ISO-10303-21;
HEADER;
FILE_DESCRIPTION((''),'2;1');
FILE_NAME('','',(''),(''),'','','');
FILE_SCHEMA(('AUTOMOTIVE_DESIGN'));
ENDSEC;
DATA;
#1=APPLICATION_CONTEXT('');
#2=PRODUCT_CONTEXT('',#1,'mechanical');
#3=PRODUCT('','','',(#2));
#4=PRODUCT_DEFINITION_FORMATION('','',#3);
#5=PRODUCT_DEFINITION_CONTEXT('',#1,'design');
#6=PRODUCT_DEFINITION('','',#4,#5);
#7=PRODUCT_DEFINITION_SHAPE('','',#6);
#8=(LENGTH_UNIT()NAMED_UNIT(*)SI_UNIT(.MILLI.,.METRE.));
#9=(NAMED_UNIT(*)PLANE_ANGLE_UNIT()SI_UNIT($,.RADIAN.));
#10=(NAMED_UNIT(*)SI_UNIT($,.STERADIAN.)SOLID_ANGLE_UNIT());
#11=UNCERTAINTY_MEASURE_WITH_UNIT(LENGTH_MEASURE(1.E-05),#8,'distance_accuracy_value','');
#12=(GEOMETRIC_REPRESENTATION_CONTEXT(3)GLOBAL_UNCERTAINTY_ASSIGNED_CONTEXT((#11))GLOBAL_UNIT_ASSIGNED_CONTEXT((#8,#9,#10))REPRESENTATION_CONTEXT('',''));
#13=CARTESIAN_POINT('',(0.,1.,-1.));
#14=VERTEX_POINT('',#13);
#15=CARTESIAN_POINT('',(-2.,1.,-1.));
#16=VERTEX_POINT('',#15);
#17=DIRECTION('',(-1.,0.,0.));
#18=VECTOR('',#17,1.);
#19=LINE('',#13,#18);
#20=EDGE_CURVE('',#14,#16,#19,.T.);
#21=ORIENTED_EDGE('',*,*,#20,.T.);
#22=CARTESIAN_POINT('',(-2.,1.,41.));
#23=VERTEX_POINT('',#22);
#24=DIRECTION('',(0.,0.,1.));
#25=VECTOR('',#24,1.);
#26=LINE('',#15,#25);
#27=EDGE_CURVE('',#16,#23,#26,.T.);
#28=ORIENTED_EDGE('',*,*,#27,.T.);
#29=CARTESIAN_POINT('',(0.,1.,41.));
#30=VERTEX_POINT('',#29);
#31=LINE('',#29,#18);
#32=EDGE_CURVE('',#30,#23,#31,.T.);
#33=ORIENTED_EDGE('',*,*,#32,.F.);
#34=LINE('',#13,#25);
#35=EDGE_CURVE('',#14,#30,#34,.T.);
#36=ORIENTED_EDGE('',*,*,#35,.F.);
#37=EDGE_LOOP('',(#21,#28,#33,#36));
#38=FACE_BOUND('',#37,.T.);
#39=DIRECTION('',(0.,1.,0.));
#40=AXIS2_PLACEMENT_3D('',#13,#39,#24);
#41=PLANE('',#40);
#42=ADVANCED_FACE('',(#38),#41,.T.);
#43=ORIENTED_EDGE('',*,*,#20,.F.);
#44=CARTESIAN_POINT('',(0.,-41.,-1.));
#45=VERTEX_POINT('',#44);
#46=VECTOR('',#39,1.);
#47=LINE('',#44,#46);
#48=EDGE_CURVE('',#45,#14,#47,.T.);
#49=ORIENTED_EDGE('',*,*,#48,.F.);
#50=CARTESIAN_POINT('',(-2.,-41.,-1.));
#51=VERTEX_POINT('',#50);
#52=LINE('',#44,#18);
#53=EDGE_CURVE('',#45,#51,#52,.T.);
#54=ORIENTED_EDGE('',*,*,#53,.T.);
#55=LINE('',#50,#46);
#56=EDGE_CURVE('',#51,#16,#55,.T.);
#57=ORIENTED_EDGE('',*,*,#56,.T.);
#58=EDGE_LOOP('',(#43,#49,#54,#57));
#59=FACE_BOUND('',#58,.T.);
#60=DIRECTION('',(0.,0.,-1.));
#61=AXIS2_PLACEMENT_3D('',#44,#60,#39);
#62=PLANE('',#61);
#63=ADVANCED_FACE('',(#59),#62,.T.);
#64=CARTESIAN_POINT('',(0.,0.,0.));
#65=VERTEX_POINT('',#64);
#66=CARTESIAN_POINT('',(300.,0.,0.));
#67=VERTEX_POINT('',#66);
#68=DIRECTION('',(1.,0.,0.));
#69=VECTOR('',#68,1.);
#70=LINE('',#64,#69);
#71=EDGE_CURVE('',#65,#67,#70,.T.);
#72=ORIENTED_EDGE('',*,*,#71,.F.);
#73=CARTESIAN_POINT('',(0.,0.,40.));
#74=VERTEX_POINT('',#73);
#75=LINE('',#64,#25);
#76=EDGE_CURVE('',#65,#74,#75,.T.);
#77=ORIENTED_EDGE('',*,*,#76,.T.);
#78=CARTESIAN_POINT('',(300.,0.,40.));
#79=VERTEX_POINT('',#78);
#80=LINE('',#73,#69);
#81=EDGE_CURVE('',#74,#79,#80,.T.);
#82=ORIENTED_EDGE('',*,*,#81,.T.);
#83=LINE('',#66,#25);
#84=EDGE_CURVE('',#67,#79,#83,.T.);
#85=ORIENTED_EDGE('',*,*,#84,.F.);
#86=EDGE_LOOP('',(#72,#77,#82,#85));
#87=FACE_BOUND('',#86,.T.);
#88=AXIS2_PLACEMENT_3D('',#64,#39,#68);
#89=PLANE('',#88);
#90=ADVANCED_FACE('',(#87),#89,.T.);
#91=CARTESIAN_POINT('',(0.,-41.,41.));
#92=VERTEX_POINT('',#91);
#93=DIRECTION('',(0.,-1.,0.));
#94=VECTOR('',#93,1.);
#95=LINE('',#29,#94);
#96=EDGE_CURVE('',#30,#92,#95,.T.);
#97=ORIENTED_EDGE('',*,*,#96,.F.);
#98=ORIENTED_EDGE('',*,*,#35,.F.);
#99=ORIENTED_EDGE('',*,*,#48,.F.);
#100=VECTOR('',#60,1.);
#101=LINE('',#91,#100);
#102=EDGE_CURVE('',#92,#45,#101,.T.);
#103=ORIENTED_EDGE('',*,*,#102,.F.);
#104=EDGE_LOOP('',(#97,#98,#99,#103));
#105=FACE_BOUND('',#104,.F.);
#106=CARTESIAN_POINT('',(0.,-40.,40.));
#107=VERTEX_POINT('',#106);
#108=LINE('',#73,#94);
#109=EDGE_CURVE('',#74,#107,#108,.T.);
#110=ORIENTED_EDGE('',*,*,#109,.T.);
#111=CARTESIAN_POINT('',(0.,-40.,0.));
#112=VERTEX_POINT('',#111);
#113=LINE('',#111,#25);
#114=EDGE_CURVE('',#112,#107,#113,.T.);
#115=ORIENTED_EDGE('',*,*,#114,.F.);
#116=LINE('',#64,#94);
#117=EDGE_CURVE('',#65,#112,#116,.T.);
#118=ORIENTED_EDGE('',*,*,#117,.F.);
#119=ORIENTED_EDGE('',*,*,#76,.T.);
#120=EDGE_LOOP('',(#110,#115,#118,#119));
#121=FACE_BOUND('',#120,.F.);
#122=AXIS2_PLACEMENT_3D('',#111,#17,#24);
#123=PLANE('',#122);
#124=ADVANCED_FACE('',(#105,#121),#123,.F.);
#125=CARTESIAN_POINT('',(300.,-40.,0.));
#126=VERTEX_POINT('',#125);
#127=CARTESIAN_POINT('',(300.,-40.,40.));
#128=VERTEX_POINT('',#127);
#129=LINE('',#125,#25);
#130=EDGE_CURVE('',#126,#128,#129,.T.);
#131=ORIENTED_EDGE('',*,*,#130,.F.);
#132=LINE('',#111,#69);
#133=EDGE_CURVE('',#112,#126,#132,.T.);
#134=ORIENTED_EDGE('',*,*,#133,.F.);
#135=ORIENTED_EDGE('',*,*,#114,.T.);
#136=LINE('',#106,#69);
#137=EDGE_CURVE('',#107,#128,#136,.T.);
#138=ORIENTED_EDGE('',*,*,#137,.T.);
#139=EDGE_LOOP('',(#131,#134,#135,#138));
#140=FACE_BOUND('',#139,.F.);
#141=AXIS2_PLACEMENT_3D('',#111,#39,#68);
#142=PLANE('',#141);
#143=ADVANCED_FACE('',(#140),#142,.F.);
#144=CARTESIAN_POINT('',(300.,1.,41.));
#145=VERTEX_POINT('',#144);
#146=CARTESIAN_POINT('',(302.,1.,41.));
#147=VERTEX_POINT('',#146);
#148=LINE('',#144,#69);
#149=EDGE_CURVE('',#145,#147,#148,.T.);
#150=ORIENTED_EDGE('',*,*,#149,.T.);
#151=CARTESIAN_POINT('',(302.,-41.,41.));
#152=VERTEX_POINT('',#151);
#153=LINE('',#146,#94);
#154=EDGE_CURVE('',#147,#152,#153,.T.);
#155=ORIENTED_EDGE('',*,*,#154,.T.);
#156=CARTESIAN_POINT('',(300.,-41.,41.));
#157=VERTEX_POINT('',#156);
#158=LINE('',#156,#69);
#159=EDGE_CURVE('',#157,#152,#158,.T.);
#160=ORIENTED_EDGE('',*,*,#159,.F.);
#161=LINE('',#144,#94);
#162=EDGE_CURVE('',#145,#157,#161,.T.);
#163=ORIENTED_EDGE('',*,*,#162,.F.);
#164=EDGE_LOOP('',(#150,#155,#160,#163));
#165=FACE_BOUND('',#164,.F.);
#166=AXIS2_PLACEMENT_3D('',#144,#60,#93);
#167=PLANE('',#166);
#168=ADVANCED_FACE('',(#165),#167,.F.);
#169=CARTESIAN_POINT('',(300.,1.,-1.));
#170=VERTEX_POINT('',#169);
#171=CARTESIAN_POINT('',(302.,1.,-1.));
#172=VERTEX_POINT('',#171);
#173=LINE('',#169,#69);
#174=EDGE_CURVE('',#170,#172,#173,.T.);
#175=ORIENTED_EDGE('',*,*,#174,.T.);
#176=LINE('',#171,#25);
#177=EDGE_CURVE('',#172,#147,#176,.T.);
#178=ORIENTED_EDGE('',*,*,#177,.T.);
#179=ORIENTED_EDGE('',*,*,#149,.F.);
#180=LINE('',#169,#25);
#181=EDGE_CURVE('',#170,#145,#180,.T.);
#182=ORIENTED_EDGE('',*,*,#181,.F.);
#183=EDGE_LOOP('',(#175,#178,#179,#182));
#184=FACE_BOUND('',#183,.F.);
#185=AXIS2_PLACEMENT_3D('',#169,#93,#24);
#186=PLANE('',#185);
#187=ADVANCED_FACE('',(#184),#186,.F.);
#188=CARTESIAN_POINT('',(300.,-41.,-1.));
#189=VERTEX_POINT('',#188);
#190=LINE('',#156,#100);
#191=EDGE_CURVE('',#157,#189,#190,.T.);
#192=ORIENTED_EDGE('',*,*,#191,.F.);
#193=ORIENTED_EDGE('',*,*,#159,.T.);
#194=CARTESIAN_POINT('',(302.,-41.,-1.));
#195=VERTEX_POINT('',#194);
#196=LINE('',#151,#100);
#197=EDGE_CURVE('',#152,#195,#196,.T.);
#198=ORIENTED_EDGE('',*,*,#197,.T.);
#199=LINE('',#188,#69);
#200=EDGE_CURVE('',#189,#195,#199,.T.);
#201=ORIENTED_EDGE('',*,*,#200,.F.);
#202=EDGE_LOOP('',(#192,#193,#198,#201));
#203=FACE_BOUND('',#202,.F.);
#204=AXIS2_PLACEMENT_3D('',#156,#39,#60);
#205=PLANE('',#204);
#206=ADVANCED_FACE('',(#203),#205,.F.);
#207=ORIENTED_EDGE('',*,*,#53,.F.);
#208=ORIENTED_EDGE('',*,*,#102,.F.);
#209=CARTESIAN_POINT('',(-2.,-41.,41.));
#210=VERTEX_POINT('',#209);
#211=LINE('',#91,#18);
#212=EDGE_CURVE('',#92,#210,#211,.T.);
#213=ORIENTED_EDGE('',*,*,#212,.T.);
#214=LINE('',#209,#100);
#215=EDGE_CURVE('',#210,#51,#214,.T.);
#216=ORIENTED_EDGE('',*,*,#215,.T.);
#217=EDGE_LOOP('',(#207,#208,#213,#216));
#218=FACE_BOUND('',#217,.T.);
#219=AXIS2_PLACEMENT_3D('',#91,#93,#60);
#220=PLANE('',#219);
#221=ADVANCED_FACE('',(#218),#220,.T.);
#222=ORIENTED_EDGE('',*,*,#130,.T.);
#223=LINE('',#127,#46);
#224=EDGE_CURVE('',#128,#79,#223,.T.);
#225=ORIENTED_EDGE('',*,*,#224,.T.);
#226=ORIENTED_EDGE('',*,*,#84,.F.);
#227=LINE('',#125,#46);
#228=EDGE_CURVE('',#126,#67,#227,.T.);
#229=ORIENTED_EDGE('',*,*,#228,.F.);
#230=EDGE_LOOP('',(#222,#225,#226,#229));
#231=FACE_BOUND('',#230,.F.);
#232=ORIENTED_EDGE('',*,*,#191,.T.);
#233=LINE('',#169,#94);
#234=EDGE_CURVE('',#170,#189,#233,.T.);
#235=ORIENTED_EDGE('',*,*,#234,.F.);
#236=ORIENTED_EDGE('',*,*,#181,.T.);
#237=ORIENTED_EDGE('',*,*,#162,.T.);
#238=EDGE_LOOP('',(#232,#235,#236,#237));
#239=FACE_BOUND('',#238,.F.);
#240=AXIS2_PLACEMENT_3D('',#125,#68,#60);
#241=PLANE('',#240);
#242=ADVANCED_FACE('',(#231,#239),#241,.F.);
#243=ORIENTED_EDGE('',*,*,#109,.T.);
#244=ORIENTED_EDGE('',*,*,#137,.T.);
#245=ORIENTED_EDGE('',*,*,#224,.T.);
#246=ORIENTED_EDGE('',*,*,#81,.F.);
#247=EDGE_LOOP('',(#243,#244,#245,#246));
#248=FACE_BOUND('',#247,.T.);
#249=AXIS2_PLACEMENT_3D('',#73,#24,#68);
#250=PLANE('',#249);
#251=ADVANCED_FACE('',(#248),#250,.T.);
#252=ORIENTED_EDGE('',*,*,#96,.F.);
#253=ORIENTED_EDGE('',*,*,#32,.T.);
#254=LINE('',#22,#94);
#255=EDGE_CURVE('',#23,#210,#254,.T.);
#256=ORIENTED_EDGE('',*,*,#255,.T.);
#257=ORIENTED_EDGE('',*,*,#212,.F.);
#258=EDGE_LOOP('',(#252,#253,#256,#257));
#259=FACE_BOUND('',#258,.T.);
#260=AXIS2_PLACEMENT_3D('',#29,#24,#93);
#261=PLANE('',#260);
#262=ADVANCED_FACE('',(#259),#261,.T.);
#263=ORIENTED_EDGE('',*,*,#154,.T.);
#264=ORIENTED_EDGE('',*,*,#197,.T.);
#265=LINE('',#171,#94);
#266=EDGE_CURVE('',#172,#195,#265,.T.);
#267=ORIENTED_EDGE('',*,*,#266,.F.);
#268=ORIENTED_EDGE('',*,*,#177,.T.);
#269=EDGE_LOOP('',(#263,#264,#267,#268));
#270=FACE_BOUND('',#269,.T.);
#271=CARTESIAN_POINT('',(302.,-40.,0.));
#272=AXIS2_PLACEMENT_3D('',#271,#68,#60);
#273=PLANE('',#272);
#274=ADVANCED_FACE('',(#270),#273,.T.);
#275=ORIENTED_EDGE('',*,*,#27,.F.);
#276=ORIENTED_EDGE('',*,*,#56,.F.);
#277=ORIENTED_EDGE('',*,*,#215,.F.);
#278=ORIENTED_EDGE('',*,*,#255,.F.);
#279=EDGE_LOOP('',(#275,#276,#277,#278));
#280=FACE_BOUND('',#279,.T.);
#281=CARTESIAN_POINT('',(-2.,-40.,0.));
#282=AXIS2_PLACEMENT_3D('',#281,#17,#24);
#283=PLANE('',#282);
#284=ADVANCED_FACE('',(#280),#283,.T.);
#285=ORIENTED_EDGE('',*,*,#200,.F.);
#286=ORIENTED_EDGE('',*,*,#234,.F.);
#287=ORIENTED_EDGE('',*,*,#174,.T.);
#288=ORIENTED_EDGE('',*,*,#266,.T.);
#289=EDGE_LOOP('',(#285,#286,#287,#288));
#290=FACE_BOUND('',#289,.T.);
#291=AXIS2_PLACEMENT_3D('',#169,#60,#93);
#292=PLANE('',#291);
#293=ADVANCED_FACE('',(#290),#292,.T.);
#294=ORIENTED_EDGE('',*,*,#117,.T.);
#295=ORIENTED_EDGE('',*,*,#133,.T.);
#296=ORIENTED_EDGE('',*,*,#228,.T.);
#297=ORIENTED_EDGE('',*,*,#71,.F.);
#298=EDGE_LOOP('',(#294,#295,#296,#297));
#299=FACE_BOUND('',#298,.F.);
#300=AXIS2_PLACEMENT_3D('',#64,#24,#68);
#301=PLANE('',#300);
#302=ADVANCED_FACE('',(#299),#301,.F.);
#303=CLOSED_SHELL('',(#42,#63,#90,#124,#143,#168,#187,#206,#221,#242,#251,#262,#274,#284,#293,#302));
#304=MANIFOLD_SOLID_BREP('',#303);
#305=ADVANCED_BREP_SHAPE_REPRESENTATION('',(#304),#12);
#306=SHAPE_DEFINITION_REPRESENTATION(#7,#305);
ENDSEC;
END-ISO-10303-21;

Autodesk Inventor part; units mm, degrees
ref_plane "YZ Plane" through (0, 0, 0) normal (1, 0, 0) x (0, 1, 0)
ref_plane "XZ Plane" through (0, 0, 0) normal (0, 1, 0) x (-1, 0, 0)
ref_plane "XY Plane" through (0, 0, 0) normal (0, 0, 1) x (1, 0, 0)
sketch "Sketch1" plane through (0, 0, 0) normal (0, 0, 1) x (1, 0, 0)
  line L0 (0, 0) -> (300, 0)
  line L1 (0, 0) -> (0, -40)
  line L2 (0, -40) -> (300, -40)
  line L3 (300, -40) -> (300, 0)
  dimension "d0" = 300
  dimension "d1" = 40
extrude "Extrusion1" add sketch "Sketch1" along normal blind 40
sketch "Sketch2" plane through (300, -40, 0) normal (1, 0, 0) x (0, 0, -1)
  line L0 (1, 41) -> (-41, 41)
  line L1 (0, 40) -> (-40, 40) projected
  line L2 (1, 41) -> (1, -1)
  line L3 (-41, 41) -> (-41, -1)
  line L4 (-41, -1) -> (1, -1)
  line L5 (0, 0) -> (0, 40) projected
  dimension "d4" = 1
  dimension "d5" = 42
  dimension "d6" = 42
  dimension "d7" = 1
extrude "Extrusion2" add sketch "Sketch2" along normal blind 2
sketch "Sketch3" plane through (0, -40, 0) normal (-1, 0, 0) x (0, 0, 1)
  line L0 (-1, 41) -> (41, 41) projected
  line L1 (41, 41) -> (41, -1) projected
  line L2 (41, 41) -> (41, -1)
  line L3 (41, -1) -> (-1, -1) projected
  line L4 (41, -1) -> (-1, -1)
  line L5 (-1, -1) -> (-1, 41) projected
  line L6 (-1, -1) -> (-1, 41)
  line L7 (-1, 41) -> (41, 41)
  point P0 (0, 40)
extrude "Extrusion3" add sketch "Sketch3" along normal blind 2
properties part number "InoxLienKet"
